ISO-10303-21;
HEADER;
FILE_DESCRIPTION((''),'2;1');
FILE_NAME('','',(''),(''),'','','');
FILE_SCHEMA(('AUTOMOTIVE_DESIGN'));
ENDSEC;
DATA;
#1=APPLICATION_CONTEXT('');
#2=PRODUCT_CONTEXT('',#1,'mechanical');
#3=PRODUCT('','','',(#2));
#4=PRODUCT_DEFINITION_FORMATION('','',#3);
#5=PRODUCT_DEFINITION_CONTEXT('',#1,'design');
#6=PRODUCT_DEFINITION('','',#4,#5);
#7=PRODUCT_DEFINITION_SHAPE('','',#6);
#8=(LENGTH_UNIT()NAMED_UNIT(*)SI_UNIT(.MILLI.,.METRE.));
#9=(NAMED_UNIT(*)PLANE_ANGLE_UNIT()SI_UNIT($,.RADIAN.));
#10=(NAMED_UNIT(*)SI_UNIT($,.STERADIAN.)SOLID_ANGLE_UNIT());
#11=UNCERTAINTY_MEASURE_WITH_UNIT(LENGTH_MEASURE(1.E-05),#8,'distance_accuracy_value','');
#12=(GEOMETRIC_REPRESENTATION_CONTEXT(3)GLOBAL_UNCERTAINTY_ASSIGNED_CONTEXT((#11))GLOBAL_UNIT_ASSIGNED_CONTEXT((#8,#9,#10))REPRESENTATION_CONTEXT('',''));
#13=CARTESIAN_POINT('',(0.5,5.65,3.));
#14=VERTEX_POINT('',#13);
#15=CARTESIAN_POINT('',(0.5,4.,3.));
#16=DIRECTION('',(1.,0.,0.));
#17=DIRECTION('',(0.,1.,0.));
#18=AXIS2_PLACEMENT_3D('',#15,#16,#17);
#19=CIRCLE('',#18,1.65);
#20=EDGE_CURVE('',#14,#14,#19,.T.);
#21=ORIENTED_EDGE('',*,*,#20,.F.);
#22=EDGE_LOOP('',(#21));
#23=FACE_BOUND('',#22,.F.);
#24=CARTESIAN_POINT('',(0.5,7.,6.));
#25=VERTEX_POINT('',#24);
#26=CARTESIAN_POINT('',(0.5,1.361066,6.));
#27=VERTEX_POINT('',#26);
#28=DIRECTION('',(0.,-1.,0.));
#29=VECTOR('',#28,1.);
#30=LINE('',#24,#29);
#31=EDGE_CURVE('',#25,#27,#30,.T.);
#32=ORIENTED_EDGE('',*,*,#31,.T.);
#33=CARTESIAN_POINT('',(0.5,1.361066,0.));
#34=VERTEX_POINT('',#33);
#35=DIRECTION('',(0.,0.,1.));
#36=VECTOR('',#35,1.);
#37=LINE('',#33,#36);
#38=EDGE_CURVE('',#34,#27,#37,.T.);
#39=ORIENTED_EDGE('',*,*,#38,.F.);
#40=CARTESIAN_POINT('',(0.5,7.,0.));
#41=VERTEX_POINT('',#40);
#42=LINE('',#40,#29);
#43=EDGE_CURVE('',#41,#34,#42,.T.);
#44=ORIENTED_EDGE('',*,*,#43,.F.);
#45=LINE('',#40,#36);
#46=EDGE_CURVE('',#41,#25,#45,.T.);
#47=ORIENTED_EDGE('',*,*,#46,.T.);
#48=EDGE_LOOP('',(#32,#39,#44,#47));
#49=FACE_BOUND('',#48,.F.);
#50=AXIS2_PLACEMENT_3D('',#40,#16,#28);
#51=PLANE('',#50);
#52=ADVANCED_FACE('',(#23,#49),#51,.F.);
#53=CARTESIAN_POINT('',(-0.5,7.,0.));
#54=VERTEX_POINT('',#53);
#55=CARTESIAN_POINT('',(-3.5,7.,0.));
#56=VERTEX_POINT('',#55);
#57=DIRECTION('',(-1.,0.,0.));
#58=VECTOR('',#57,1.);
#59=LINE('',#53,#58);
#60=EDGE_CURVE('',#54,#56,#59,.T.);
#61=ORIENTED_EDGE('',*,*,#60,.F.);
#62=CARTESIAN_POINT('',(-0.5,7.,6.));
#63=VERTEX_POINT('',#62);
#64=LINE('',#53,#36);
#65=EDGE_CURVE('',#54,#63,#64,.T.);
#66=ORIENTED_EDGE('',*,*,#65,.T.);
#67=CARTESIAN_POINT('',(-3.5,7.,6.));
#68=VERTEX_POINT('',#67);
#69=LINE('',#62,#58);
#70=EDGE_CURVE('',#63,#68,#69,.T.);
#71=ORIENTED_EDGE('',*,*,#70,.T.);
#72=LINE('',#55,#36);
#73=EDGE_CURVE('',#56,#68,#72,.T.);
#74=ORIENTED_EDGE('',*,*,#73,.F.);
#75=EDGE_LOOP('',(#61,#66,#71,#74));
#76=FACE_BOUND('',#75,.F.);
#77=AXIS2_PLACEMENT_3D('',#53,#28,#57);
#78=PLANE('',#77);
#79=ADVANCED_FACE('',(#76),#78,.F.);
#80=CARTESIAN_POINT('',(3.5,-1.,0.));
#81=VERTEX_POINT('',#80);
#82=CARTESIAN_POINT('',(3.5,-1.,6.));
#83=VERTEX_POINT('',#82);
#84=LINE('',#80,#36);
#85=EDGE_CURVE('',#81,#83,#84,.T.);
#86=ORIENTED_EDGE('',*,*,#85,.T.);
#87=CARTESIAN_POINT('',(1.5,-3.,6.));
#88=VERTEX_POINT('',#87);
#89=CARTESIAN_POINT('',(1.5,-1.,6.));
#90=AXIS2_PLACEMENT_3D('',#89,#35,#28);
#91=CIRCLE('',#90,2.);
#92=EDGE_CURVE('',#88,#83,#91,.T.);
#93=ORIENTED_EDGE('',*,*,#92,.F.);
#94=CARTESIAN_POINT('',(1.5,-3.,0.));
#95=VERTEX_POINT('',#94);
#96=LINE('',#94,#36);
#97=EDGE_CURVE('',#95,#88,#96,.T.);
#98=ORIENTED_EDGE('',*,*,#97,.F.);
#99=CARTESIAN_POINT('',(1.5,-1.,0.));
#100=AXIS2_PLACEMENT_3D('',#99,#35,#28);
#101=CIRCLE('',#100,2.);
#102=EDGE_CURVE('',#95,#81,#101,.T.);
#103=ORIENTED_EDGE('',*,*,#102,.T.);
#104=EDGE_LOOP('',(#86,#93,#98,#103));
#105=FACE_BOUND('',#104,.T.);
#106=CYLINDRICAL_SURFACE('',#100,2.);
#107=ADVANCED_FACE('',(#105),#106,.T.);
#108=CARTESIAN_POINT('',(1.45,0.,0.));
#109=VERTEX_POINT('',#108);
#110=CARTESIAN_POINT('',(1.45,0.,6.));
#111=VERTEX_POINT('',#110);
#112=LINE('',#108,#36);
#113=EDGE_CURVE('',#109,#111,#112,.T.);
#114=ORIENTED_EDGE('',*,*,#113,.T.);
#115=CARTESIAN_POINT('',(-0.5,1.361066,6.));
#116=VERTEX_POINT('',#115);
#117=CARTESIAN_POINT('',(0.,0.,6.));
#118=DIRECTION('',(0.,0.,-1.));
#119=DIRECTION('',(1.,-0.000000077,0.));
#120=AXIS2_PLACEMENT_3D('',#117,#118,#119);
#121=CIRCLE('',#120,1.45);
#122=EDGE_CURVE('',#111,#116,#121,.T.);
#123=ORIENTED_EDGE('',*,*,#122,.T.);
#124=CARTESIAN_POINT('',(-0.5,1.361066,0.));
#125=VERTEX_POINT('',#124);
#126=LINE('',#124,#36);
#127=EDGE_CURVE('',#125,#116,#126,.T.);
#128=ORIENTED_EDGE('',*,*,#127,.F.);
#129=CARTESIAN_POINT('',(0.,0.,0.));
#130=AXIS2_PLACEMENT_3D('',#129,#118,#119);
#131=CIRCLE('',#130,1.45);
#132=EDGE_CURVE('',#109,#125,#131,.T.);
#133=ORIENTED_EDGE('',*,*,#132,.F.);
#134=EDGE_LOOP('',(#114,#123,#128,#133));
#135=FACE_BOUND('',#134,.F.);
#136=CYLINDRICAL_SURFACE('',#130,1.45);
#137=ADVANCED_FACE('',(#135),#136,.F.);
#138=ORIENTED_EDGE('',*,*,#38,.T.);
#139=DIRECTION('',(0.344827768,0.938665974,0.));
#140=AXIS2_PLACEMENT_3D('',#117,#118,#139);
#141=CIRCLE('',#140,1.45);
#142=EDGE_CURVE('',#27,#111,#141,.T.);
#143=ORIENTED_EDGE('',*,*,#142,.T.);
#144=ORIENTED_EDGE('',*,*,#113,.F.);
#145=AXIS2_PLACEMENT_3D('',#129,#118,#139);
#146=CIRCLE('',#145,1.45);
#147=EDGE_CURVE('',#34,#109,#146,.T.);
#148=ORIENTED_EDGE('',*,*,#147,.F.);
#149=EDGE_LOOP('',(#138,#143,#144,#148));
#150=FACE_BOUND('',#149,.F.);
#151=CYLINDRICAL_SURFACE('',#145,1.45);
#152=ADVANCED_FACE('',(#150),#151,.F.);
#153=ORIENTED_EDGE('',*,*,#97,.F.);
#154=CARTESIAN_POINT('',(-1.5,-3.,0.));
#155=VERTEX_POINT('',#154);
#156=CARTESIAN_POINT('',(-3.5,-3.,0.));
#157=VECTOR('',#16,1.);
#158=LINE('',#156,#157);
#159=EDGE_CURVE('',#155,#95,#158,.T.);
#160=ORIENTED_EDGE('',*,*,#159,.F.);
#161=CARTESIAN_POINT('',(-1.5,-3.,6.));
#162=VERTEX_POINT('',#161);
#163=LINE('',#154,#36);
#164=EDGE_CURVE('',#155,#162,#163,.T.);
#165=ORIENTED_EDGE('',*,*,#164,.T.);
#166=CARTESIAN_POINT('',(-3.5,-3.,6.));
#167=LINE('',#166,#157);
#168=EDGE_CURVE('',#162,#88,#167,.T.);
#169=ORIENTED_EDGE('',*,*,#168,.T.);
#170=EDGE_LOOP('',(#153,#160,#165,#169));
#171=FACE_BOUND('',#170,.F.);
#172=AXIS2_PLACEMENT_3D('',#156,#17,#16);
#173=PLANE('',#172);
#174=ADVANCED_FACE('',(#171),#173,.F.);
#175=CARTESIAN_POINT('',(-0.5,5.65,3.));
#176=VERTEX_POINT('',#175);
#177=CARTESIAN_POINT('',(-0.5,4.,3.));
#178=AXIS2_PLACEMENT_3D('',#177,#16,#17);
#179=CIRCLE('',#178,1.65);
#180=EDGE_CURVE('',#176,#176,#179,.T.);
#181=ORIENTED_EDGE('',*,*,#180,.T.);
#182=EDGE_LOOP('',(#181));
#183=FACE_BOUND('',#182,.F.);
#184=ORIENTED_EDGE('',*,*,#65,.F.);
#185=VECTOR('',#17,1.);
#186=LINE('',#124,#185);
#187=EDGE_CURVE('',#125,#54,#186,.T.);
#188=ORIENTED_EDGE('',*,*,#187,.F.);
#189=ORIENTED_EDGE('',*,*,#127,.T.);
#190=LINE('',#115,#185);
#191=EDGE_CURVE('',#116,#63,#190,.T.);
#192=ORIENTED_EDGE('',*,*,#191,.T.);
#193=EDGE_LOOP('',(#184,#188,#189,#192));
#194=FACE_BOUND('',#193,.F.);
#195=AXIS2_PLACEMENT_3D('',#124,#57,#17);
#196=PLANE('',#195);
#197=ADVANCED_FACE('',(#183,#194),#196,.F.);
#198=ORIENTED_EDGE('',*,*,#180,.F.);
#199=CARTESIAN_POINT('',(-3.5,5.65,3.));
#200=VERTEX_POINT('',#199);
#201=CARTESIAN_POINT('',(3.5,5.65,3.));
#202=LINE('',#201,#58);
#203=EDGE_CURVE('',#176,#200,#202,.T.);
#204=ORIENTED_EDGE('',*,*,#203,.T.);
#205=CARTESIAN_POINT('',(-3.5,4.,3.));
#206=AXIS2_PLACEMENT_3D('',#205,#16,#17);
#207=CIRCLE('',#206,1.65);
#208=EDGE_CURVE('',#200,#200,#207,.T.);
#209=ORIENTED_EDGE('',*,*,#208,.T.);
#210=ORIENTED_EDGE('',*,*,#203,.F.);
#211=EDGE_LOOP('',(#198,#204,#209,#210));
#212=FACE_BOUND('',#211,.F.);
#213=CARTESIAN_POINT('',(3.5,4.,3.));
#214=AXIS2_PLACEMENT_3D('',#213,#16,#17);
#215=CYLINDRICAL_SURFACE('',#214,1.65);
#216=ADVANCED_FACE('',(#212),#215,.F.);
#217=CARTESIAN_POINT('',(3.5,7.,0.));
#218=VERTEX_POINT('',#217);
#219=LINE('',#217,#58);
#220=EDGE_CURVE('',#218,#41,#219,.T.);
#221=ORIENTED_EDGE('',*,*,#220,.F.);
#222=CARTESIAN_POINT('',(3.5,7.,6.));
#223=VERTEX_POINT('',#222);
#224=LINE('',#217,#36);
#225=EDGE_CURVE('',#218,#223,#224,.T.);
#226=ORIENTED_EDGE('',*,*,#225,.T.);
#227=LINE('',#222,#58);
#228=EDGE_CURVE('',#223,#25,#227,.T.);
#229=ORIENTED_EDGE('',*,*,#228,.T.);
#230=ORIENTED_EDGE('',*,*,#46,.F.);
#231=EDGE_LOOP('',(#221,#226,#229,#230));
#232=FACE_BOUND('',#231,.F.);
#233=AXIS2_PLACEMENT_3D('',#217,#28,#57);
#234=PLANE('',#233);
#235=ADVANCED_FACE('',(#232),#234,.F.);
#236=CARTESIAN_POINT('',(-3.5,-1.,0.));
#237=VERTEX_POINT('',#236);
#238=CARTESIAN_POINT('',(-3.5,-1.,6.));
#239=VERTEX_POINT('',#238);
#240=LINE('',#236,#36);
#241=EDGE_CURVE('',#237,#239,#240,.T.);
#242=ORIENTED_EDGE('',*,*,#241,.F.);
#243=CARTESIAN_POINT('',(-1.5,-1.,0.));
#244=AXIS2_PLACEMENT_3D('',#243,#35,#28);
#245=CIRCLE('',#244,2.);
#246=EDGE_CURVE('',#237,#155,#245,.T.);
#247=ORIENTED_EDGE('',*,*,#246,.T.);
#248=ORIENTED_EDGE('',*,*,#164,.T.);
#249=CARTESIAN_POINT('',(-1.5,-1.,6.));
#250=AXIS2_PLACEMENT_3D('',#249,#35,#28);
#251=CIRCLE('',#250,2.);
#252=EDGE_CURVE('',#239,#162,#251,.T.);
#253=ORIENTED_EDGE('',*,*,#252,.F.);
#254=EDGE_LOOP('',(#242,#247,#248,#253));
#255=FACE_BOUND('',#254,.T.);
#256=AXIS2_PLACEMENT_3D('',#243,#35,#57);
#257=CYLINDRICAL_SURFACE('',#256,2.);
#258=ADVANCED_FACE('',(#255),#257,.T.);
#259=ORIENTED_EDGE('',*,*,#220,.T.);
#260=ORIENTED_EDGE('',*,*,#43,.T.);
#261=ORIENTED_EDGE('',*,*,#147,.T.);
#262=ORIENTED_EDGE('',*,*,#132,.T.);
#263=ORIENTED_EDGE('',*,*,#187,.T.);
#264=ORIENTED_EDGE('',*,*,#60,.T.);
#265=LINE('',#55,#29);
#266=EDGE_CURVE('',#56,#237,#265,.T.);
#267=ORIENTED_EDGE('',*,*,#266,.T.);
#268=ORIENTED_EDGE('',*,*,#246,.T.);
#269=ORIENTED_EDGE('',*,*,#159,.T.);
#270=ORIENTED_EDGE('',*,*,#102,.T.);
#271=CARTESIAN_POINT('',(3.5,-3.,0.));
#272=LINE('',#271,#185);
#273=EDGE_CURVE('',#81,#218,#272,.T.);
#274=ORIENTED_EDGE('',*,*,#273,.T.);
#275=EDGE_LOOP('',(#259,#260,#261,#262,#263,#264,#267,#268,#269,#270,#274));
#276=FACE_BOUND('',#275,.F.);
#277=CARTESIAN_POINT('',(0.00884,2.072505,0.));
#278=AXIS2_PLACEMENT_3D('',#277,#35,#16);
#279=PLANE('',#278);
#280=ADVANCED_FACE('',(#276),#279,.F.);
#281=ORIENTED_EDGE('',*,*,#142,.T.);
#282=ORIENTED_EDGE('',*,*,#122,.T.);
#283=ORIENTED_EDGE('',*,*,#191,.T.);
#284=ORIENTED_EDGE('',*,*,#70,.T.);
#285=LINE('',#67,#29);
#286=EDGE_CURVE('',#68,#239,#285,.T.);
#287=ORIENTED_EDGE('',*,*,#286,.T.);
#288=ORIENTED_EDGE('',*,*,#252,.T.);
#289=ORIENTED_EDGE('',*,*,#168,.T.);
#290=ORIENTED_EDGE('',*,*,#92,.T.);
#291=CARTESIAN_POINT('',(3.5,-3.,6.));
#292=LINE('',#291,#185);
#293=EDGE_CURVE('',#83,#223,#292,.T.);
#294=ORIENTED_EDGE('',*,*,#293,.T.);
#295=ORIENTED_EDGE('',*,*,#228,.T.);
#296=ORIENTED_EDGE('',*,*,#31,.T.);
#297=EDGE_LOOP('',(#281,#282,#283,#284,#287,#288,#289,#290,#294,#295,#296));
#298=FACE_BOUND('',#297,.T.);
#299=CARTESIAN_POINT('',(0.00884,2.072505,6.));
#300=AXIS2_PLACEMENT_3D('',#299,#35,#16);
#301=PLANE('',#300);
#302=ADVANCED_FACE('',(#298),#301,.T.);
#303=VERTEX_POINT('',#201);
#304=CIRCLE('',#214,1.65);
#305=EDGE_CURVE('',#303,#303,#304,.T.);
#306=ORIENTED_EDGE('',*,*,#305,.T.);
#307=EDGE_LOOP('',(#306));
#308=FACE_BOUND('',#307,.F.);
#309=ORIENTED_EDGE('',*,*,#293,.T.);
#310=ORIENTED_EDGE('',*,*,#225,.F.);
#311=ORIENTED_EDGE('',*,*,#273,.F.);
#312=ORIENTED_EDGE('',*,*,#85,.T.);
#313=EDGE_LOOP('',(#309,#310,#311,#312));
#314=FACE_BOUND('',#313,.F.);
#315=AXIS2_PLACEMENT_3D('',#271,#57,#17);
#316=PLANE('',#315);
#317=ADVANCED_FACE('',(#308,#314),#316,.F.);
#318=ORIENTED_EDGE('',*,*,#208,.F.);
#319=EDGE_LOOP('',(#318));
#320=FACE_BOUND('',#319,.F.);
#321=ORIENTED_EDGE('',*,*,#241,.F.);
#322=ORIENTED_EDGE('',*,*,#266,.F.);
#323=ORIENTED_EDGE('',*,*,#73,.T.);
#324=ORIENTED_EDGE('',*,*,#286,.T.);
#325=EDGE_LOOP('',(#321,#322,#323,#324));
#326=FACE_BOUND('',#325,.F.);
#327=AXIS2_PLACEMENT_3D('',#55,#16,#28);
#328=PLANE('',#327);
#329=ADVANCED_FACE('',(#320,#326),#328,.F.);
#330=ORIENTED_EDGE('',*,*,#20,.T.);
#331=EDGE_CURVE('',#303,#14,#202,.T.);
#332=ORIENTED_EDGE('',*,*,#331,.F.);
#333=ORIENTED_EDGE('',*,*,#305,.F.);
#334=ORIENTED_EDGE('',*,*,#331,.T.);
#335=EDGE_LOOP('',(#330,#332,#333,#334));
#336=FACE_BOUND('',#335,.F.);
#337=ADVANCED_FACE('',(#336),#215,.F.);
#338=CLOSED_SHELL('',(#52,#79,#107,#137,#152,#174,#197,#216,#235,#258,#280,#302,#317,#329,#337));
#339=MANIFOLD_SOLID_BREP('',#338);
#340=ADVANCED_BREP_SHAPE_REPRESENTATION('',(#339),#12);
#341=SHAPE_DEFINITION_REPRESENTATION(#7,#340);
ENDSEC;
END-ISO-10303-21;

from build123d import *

# Parameters (mm, degrees)
F1_DEPTH = 6
F2_R     = 1.65
F3_DEPTH = 25
F4_R     = 2


with BuildPart() as f1:
    # F0 (on Top) → F1 (new body)
    with BuildSketch(Plane.XY):
        with BuildLine():
            Line((-0.5, 7), (-3.5, 7))
            Line((-3.5, 7), (-3.5, -3))
            Line((-3.5, -3), (3.5, -3))
            Line((3.5, -3), (3.5, 7))
            Line((3.5, 7), (0.5, 7))
            Line((0.5, 7), (0.5, 1.361066))
            ThreePointArc((0.5, 1.361066), (1.189012, 0.82991), (1.45, 0))
            ThreePointArc((1.45, 0), (-0.82991, -1.189012), (-0.5, 1.361066))
            Line((-0.5, 1.361066), (-0.5, 7))
        make_face()
    extrude(amount=F1_DEPTH)

    # F2 (on face) → F3 (cut)
    with BuildSketch(Plane.YZ.offset(3.5)):
        with Locations((4, 3)):
            Circle(F2_R)
    extrude(amount=-F3_DEPTH, mode=Mode.SUBTRACT)

    # F4
    f4_edges = [f1.edges().sort_by_distance(p)[0] for p in [
        (3.5, -3, 3),
        (-3.5, -3, 3),
    ]]
    fillet(f4_edges, radius=F4_R)


solid = f1.part
